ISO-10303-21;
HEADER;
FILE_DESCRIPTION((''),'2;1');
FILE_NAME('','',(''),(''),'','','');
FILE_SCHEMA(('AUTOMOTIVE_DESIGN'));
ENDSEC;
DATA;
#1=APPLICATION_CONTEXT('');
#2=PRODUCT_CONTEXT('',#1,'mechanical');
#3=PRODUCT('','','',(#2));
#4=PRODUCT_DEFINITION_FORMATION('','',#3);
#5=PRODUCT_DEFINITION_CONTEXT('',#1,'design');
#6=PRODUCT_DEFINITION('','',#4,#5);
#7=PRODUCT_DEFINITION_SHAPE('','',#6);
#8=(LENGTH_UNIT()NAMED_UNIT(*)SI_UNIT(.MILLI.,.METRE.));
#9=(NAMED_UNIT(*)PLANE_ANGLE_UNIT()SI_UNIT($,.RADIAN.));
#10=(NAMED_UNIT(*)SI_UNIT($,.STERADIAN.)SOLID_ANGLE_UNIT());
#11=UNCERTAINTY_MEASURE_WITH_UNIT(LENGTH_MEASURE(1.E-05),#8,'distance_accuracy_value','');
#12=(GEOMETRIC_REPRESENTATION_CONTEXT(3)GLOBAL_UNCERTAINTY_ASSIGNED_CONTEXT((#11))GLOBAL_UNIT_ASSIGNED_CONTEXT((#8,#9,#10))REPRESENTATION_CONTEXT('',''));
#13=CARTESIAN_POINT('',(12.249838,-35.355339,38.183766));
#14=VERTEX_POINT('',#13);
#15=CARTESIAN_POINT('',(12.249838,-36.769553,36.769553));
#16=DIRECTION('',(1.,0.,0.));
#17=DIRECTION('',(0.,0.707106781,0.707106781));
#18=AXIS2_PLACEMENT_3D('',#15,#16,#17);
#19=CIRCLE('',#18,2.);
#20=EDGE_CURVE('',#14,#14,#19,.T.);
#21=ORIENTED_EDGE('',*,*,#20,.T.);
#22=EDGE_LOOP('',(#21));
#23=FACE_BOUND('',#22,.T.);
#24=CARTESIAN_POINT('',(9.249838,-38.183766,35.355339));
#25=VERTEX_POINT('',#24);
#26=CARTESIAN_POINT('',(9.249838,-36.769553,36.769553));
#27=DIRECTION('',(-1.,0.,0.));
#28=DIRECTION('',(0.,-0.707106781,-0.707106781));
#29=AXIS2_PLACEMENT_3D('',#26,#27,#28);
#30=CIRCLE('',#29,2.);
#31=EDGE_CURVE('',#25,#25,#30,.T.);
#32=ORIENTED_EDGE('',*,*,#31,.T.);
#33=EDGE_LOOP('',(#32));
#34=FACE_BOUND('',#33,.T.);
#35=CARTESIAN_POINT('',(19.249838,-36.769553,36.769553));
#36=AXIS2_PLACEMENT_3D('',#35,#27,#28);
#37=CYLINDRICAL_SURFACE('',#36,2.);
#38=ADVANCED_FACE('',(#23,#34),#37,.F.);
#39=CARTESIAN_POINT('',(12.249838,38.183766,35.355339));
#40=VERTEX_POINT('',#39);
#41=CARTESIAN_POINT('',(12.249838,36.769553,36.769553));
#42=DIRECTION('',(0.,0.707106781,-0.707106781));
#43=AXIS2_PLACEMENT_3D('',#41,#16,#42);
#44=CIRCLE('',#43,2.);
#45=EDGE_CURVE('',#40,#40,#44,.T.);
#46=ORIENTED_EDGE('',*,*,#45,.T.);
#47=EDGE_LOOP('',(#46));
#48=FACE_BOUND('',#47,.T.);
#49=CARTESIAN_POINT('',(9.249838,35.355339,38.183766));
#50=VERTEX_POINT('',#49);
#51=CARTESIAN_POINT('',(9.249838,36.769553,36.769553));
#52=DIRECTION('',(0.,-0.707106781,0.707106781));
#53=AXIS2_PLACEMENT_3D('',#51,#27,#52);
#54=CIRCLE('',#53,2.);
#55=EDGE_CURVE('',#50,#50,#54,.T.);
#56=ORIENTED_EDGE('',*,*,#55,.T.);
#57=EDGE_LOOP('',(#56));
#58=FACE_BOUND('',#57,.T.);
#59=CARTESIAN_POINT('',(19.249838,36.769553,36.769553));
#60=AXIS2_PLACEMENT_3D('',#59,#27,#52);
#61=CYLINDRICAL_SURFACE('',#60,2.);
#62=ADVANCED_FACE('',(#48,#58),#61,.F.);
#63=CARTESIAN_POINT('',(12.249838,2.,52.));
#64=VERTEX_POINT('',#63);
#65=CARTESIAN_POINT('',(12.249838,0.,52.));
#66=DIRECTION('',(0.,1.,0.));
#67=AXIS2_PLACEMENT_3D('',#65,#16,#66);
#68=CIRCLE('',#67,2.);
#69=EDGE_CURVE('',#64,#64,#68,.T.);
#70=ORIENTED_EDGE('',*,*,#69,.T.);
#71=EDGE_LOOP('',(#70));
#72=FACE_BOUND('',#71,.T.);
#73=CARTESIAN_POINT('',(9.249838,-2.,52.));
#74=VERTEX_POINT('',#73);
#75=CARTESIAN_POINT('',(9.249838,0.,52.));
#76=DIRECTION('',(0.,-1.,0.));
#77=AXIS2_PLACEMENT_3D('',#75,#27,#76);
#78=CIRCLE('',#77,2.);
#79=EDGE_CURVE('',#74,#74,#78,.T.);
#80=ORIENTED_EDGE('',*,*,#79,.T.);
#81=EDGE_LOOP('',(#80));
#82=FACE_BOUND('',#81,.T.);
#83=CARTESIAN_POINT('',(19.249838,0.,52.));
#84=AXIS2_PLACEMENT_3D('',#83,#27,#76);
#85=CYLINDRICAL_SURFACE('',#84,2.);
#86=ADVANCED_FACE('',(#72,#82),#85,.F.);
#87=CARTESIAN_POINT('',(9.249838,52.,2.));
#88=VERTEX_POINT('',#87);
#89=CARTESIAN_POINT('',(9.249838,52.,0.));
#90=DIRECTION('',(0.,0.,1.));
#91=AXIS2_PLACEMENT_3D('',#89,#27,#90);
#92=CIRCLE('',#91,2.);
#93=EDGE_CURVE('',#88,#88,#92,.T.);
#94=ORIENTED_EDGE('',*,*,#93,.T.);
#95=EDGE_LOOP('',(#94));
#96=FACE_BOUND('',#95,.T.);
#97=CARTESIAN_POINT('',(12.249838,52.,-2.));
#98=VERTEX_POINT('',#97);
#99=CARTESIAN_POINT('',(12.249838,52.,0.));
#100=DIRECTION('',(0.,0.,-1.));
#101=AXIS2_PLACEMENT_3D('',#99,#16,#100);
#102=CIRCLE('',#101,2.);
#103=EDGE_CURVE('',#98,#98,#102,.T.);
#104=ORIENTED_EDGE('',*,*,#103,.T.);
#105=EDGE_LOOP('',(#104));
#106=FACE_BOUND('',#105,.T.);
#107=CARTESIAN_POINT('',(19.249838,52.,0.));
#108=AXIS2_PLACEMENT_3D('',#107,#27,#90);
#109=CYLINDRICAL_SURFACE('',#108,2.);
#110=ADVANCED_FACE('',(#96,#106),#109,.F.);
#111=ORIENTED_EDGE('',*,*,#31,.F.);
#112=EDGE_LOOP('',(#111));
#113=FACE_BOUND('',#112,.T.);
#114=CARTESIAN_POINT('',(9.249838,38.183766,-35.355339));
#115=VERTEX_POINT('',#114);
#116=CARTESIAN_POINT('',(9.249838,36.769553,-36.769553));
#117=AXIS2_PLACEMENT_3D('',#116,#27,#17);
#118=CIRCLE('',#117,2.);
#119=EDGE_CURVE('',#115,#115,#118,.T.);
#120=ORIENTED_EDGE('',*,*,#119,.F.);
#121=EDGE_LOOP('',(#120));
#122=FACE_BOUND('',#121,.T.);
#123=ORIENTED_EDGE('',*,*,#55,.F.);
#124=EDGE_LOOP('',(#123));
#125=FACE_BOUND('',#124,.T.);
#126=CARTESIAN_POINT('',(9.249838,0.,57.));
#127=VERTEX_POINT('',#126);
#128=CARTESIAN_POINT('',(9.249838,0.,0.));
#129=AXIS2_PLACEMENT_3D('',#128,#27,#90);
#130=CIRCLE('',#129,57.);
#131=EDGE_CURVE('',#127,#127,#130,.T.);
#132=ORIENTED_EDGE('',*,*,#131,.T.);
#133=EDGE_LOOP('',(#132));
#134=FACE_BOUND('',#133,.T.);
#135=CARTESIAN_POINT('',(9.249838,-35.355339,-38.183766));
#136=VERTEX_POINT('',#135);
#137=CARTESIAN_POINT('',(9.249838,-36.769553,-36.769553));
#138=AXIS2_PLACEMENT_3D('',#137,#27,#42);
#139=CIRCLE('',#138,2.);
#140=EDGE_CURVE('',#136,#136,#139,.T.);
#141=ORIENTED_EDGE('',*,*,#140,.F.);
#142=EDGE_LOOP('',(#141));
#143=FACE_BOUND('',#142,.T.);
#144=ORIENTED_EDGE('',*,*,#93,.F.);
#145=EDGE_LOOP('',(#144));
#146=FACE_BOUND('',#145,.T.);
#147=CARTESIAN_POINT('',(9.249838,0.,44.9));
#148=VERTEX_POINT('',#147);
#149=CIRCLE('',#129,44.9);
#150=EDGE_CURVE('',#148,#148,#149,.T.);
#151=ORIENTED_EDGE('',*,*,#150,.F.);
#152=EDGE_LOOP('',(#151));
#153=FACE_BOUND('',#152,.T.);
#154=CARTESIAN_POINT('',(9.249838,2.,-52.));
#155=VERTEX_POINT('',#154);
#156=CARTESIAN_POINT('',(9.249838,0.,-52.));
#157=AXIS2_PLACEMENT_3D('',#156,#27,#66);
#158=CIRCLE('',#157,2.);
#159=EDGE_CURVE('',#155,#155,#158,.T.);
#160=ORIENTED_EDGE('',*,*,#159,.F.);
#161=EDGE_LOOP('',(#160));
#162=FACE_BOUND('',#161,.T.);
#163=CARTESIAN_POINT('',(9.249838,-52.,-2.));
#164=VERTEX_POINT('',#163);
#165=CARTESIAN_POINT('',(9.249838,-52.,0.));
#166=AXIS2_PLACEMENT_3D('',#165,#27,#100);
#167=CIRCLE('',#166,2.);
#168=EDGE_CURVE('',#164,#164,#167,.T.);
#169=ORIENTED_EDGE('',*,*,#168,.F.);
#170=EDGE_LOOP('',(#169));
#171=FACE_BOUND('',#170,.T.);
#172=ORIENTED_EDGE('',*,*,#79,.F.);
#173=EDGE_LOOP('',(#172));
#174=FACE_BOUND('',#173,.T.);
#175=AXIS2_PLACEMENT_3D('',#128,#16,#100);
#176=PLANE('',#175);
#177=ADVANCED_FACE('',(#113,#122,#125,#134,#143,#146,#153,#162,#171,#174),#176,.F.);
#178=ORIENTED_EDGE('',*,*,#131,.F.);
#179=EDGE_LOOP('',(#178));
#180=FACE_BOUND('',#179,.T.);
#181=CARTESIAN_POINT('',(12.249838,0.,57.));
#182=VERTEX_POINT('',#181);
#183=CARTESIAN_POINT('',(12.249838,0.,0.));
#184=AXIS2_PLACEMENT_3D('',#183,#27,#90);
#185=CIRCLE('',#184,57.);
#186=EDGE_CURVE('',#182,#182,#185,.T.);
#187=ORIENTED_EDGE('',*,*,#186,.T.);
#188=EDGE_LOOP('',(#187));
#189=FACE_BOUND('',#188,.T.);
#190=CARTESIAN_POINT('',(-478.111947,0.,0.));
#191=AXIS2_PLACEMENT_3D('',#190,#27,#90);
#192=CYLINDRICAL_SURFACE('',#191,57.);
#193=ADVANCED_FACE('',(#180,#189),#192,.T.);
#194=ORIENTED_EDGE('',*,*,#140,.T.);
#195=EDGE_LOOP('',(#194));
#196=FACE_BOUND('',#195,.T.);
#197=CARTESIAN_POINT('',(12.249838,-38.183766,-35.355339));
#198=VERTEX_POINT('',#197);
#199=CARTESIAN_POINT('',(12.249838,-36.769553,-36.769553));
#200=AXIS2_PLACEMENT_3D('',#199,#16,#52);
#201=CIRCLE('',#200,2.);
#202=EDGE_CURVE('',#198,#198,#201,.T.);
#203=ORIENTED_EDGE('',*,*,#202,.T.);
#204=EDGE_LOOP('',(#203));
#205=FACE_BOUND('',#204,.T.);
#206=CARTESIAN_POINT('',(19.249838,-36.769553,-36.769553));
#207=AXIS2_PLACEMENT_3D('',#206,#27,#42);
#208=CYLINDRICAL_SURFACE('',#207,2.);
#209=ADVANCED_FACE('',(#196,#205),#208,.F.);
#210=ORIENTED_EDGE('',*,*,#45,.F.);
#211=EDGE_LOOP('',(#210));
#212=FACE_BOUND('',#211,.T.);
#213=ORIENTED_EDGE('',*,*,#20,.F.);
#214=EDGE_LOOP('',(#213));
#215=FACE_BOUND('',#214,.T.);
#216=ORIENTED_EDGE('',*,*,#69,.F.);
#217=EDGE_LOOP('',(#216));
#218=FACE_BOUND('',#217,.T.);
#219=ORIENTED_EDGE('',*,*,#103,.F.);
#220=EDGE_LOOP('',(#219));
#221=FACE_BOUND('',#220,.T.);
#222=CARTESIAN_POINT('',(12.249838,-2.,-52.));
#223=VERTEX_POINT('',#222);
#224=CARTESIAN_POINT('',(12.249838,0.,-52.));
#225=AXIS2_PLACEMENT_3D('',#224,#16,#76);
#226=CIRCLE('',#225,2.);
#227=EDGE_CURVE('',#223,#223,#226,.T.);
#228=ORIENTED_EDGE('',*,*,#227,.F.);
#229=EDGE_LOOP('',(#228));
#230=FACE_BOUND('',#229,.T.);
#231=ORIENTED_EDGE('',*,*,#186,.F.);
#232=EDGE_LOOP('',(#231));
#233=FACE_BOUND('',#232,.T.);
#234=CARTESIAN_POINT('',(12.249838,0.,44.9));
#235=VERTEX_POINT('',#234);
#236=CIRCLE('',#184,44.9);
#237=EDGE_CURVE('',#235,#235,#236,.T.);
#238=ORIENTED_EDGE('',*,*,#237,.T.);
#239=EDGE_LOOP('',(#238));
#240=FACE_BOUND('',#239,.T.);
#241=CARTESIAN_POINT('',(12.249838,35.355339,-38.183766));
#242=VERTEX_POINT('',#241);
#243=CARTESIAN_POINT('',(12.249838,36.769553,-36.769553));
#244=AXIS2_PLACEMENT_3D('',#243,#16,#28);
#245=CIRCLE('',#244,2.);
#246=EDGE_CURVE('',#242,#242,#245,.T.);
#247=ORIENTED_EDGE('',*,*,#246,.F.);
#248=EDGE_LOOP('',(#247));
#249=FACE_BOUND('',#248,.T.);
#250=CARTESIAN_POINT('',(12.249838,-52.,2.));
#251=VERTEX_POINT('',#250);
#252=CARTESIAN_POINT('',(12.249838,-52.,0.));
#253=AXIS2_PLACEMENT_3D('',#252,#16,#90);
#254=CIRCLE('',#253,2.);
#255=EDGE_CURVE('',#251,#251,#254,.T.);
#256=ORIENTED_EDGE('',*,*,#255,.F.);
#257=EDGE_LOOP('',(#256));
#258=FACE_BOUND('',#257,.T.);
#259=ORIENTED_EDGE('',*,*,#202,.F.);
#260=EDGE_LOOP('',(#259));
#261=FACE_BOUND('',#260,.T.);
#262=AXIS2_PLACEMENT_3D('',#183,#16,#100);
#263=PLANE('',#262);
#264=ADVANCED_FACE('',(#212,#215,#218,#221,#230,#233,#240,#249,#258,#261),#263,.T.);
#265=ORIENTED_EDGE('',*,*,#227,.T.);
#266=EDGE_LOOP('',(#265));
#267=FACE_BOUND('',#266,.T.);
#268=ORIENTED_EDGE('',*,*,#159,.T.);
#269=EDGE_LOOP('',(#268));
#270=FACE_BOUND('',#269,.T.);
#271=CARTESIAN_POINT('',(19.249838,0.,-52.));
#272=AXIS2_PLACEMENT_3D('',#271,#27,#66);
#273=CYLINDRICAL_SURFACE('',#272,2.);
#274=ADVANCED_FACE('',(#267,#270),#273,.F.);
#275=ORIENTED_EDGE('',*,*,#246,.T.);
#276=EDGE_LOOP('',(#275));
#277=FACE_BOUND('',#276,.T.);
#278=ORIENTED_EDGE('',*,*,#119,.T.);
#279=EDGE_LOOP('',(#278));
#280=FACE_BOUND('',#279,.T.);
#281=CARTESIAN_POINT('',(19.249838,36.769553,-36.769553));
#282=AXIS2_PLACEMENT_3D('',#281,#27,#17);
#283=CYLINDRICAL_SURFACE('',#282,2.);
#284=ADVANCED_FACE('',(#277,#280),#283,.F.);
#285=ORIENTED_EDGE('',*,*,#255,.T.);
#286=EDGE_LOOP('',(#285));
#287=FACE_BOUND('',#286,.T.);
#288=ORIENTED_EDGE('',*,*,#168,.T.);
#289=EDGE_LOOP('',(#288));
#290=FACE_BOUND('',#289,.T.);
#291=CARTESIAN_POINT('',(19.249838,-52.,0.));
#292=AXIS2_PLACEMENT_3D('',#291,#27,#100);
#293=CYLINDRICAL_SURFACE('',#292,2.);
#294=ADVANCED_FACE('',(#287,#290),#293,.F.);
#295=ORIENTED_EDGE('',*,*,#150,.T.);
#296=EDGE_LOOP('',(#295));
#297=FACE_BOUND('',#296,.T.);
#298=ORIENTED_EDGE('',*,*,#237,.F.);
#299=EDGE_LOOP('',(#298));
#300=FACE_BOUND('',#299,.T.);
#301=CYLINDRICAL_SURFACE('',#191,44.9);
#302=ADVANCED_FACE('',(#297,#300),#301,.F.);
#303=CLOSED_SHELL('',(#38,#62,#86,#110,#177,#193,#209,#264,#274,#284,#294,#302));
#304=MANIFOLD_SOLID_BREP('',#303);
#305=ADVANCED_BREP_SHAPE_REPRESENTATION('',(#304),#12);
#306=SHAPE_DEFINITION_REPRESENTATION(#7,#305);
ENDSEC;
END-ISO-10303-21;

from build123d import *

# Parameters (mm, degrees)
SKETCH2_W          = 3
SKETCH2_H          = 12.1
SKETCH3_R          = 2
CUT_EXTRUDE1_DEPTH = 10
CIRPATTERN1_COUNT  = 8


with BuildPart() as part:
    # Sketch2 → Revolve1 (revolve)
    with BuildSketch(Plane.XY, mode=Mode.PRIVATE) as revolve1_sk:
        with Locations((10.74983843, 50.95)):
            Rectangle(SKETCH2_W, SKETCH2_H)
    revolve(revolve1_sk.sketch.rotate(Axis((-478.111946857, 0, 0), (1, 0, 0)), 90), axis=Axis((-478.111946857, 0, 0), (1, 0, 0)))

    # Sketch3 → Cut-Extrude1 (cut)
    with BuildSketch(Plane.ZY.offset(-9.24983843)):
        with Locations((0, 52)):
            Circle(SKETCH3_R)
    cut_extrude1 = extrude(amount=-CUT_EXTRUDE1_DEPTH, mode=Mode.SUBTRACT)

    # CirPattern1: Cut-Extrude1 ×8 about axis
    cirpattern1_axis = Axis((0, 0, 0), (1, 0, 0))
    for i in range(1, CIRPATTERN1_COUNT):
        add(cut_extrude1.rotate(cirpattern1_axis, i * 360 / CIRPATTERN1_COUNT), mode=Mode.SUBTRACT)


solid = part.part
